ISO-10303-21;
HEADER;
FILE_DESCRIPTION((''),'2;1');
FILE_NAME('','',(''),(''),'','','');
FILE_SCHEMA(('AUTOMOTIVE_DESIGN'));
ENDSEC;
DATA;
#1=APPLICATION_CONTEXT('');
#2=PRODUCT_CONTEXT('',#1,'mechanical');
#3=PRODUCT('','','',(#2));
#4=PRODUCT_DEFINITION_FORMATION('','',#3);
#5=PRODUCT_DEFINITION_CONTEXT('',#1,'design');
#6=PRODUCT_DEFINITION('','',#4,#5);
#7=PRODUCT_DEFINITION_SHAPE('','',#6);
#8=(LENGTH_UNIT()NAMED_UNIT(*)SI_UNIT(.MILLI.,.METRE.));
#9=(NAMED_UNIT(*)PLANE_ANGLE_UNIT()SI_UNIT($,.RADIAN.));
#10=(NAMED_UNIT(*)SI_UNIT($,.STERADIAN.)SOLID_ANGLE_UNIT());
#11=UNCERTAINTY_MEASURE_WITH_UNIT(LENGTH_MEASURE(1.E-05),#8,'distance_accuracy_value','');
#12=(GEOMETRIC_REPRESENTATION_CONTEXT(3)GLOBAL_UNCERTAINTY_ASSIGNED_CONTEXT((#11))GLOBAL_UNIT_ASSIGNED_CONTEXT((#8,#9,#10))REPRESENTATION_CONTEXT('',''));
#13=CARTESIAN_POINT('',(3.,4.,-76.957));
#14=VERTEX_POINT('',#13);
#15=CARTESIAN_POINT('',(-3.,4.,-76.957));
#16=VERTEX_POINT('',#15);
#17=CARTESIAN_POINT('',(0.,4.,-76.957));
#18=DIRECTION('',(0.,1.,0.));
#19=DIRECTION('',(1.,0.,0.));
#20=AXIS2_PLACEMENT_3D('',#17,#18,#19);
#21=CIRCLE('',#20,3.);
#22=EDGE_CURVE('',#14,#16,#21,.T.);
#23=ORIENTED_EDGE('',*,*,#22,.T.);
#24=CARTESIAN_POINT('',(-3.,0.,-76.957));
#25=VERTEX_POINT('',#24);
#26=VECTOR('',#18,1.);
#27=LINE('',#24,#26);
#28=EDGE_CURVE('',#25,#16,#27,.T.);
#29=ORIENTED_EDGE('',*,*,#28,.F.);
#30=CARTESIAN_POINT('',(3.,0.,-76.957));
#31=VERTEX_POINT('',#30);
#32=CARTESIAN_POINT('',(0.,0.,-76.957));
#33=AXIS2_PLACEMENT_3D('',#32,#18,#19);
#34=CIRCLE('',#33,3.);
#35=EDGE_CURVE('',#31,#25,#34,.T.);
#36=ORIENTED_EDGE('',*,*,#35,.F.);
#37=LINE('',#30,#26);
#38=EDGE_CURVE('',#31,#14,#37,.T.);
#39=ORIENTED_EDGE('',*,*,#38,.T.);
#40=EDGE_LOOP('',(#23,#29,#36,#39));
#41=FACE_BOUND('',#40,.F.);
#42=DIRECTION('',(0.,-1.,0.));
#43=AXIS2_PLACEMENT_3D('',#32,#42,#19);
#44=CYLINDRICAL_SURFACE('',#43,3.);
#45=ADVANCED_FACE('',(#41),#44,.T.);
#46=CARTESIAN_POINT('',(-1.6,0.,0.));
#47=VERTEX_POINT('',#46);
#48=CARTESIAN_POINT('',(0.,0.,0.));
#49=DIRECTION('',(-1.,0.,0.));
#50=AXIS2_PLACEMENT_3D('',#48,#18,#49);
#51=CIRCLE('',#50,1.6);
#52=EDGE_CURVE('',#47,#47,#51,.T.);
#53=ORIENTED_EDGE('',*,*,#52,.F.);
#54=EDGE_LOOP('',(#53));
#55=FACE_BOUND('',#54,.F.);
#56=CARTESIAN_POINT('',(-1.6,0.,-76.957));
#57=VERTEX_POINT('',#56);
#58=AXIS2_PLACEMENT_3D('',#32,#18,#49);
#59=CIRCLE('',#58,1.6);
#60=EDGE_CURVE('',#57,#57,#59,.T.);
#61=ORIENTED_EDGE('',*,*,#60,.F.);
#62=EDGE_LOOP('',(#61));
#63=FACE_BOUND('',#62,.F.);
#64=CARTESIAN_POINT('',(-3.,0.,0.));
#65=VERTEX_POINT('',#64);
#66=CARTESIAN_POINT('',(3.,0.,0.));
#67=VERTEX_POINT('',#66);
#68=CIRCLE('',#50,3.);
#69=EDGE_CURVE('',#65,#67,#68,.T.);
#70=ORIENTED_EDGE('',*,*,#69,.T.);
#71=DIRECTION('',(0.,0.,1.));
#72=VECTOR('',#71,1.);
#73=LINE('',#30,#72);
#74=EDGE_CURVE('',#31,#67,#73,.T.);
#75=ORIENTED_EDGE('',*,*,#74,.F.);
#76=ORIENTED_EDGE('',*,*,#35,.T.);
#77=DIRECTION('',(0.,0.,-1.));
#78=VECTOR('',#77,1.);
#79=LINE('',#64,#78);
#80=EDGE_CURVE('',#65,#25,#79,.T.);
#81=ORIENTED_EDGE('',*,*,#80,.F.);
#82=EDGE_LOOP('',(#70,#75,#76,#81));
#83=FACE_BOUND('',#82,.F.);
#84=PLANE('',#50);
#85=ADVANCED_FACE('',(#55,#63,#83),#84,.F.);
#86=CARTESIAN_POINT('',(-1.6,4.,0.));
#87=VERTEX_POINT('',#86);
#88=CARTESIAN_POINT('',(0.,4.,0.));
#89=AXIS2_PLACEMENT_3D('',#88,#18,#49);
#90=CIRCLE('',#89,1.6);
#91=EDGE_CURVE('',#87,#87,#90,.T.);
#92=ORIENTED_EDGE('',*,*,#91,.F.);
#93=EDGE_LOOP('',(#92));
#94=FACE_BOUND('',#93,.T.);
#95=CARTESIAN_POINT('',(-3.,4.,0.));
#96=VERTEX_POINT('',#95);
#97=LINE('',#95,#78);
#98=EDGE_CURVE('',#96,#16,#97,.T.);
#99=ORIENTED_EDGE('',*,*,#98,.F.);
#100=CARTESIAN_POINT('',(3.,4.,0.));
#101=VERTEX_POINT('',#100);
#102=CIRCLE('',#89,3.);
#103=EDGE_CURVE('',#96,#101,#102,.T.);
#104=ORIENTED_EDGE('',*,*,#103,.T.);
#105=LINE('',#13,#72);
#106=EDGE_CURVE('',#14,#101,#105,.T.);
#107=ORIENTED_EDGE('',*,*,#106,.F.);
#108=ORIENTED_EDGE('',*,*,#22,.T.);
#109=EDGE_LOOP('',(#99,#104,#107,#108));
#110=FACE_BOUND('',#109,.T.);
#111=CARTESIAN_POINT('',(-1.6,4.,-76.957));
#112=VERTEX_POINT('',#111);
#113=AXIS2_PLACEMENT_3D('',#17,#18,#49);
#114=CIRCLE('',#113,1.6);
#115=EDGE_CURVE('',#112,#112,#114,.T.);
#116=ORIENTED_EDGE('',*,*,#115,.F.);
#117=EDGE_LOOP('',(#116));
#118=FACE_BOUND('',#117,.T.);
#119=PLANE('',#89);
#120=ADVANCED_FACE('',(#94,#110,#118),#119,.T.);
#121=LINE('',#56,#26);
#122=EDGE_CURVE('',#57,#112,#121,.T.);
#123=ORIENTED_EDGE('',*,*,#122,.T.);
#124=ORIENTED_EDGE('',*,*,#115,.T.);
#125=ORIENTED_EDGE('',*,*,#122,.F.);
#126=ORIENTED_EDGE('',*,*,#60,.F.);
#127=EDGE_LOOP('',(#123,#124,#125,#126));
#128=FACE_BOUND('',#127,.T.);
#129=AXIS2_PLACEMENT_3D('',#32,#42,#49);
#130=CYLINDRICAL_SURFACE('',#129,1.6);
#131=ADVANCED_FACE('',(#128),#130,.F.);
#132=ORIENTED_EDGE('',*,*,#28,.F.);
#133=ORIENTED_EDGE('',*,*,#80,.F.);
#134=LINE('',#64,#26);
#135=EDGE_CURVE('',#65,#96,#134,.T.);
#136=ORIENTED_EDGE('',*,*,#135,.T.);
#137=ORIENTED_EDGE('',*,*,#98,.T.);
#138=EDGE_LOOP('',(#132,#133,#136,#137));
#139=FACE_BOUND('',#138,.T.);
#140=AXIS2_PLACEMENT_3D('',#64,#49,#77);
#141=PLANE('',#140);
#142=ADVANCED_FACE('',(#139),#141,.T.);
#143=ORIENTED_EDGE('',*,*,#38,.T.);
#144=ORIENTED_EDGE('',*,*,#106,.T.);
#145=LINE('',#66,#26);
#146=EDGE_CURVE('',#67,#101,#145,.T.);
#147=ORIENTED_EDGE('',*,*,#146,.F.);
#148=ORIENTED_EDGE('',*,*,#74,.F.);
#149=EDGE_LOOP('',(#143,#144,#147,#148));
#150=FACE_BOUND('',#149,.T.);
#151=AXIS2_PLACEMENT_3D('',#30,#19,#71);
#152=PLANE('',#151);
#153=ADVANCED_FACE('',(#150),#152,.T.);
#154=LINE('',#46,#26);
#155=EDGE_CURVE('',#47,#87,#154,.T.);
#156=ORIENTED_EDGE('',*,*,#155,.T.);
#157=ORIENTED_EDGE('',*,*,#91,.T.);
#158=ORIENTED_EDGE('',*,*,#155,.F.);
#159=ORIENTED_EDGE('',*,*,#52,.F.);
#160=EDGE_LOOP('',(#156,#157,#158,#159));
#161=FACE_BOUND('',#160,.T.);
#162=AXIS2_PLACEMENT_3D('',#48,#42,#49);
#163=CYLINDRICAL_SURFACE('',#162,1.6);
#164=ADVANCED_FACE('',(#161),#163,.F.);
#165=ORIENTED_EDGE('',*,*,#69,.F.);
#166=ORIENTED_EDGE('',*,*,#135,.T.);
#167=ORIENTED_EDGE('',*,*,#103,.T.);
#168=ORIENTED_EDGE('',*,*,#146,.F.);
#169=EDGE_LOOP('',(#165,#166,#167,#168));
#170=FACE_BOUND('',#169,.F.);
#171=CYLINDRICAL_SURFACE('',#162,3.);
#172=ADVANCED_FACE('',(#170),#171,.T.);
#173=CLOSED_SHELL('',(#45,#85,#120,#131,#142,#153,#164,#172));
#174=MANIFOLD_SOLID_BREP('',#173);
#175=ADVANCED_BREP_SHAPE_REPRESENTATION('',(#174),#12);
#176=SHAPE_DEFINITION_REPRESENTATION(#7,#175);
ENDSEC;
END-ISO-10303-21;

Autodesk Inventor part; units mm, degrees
ref_plane "YZ Plane" through (0, 0, 0) normal (1, 0, 0) x (0, 1, 0)
ref_plane "XZ Plane" through (0, 0, 0) normal (0, 1, 0) x (-1, 0, 0)
ref_plane "XY Plane" through (0, 0, 0) normal (0, 0, 1) x (1, 0, 0)
sketch "Sketch1" plane through (0, 0, 0) normal (0, 1, 0) x (-1, 0, 0)
  line L0 (0, 0) -> (0, -76.957) construction
  line L1 (3, 0) -> (3, -76.957)
  line L2 (-3, -76.957) -> (-3, 0)
  arc A0 (3, 0) -> (-3, 0) centre (0, 0) ccw
  arc A1 (-3, -76.957) -> (3, -76.957) centre (0, -76.957) ccw
  circle A2 centre (0, 0) radius 1.6
  circle A3 centre (0, -76.957) radius 1.6
  point P0 (0, -38.4785)
  dimension "d0" = 3.2
  dimension "d1" = 3.2
  dimension "d2" = 6
  dimension "d3" = 76.957
extrude "Extrusion1" add sketch "Sketch1" along normal blind 4
